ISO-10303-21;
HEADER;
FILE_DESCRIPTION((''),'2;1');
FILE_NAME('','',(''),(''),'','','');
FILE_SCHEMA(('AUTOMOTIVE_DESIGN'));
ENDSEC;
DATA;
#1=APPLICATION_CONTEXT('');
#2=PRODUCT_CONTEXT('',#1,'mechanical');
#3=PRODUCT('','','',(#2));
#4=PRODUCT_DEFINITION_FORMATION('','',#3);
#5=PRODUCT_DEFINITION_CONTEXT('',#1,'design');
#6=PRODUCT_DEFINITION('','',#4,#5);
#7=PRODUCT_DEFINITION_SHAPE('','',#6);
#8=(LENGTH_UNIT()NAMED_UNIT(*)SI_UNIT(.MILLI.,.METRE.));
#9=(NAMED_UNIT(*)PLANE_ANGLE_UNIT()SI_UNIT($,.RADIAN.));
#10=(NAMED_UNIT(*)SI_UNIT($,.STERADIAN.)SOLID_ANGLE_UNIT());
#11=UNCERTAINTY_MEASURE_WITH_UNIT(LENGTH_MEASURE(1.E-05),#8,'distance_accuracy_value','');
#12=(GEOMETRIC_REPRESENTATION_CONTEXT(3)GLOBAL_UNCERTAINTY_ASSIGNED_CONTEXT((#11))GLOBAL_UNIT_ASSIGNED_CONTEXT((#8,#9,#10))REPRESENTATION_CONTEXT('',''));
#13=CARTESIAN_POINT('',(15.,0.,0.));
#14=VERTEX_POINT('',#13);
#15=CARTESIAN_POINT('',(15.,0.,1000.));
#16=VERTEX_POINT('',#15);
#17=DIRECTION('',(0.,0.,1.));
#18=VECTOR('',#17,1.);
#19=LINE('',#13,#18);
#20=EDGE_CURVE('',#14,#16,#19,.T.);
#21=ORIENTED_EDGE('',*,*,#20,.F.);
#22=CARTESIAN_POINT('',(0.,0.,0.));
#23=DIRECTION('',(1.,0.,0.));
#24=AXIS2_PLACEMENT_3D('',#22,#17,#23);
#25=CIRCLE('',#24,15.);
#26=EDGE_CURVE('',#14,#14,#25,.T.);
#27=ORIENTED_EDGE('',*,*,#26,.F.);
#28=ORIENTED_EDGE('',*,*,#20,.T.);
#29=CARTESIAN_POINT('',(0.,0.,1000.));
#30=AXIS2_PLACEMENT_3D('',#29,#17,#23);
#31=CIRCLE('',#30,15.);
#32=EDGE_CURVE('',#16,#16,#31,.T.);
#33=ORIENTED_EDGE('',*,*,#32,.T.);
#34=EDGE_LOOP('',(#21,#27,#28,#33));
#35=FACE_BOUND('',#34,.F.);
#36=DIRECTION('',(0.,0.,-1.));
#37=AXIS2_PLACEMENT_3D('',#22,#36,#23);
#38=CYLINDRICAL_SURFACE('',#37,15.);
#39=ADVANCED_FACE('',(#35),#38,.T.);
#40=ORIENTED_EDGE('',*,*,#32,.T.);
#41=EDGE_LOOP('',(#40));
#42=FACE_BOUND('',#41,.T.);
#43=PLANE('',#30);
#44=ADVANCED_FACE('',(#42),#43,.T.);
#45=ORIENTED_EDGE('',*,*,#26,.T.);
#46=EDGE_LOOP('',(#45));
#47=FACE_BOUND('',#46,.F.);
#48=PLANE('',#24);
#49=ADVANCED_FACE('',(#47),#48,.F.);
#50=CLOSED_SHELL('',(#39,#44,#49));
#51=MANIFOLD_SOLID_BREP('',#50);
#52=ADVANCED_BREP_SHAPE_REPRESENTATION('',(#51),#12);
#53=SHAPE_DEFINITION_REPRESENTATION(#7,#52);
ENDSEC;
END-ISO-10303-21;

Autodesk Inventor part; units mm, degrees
ref_plane "YZ Plane" through (0, 0, 0) normal (1, 0, 0) x (0, 1, 0)
ref_plane "XZ Plane" through (0, 0, 0) normal (0, 1, 0) x (-1, 0, 0)
ref_plane "XY Plane" through (0, 0, 0) normal (0, 0, 1) x (1, 0, 0)
sketch "Sketch1" plane through (0, 0, 0) normal (0, 0, 1) x (1, 0, 0)
  circle A0 centre (0, 0) radius 15
  dimension "d0" = 30
extrude "Extrusion1" add sketch "Sketch1" along normal blind 1000
properties material "Stainless Steel, 440C"
